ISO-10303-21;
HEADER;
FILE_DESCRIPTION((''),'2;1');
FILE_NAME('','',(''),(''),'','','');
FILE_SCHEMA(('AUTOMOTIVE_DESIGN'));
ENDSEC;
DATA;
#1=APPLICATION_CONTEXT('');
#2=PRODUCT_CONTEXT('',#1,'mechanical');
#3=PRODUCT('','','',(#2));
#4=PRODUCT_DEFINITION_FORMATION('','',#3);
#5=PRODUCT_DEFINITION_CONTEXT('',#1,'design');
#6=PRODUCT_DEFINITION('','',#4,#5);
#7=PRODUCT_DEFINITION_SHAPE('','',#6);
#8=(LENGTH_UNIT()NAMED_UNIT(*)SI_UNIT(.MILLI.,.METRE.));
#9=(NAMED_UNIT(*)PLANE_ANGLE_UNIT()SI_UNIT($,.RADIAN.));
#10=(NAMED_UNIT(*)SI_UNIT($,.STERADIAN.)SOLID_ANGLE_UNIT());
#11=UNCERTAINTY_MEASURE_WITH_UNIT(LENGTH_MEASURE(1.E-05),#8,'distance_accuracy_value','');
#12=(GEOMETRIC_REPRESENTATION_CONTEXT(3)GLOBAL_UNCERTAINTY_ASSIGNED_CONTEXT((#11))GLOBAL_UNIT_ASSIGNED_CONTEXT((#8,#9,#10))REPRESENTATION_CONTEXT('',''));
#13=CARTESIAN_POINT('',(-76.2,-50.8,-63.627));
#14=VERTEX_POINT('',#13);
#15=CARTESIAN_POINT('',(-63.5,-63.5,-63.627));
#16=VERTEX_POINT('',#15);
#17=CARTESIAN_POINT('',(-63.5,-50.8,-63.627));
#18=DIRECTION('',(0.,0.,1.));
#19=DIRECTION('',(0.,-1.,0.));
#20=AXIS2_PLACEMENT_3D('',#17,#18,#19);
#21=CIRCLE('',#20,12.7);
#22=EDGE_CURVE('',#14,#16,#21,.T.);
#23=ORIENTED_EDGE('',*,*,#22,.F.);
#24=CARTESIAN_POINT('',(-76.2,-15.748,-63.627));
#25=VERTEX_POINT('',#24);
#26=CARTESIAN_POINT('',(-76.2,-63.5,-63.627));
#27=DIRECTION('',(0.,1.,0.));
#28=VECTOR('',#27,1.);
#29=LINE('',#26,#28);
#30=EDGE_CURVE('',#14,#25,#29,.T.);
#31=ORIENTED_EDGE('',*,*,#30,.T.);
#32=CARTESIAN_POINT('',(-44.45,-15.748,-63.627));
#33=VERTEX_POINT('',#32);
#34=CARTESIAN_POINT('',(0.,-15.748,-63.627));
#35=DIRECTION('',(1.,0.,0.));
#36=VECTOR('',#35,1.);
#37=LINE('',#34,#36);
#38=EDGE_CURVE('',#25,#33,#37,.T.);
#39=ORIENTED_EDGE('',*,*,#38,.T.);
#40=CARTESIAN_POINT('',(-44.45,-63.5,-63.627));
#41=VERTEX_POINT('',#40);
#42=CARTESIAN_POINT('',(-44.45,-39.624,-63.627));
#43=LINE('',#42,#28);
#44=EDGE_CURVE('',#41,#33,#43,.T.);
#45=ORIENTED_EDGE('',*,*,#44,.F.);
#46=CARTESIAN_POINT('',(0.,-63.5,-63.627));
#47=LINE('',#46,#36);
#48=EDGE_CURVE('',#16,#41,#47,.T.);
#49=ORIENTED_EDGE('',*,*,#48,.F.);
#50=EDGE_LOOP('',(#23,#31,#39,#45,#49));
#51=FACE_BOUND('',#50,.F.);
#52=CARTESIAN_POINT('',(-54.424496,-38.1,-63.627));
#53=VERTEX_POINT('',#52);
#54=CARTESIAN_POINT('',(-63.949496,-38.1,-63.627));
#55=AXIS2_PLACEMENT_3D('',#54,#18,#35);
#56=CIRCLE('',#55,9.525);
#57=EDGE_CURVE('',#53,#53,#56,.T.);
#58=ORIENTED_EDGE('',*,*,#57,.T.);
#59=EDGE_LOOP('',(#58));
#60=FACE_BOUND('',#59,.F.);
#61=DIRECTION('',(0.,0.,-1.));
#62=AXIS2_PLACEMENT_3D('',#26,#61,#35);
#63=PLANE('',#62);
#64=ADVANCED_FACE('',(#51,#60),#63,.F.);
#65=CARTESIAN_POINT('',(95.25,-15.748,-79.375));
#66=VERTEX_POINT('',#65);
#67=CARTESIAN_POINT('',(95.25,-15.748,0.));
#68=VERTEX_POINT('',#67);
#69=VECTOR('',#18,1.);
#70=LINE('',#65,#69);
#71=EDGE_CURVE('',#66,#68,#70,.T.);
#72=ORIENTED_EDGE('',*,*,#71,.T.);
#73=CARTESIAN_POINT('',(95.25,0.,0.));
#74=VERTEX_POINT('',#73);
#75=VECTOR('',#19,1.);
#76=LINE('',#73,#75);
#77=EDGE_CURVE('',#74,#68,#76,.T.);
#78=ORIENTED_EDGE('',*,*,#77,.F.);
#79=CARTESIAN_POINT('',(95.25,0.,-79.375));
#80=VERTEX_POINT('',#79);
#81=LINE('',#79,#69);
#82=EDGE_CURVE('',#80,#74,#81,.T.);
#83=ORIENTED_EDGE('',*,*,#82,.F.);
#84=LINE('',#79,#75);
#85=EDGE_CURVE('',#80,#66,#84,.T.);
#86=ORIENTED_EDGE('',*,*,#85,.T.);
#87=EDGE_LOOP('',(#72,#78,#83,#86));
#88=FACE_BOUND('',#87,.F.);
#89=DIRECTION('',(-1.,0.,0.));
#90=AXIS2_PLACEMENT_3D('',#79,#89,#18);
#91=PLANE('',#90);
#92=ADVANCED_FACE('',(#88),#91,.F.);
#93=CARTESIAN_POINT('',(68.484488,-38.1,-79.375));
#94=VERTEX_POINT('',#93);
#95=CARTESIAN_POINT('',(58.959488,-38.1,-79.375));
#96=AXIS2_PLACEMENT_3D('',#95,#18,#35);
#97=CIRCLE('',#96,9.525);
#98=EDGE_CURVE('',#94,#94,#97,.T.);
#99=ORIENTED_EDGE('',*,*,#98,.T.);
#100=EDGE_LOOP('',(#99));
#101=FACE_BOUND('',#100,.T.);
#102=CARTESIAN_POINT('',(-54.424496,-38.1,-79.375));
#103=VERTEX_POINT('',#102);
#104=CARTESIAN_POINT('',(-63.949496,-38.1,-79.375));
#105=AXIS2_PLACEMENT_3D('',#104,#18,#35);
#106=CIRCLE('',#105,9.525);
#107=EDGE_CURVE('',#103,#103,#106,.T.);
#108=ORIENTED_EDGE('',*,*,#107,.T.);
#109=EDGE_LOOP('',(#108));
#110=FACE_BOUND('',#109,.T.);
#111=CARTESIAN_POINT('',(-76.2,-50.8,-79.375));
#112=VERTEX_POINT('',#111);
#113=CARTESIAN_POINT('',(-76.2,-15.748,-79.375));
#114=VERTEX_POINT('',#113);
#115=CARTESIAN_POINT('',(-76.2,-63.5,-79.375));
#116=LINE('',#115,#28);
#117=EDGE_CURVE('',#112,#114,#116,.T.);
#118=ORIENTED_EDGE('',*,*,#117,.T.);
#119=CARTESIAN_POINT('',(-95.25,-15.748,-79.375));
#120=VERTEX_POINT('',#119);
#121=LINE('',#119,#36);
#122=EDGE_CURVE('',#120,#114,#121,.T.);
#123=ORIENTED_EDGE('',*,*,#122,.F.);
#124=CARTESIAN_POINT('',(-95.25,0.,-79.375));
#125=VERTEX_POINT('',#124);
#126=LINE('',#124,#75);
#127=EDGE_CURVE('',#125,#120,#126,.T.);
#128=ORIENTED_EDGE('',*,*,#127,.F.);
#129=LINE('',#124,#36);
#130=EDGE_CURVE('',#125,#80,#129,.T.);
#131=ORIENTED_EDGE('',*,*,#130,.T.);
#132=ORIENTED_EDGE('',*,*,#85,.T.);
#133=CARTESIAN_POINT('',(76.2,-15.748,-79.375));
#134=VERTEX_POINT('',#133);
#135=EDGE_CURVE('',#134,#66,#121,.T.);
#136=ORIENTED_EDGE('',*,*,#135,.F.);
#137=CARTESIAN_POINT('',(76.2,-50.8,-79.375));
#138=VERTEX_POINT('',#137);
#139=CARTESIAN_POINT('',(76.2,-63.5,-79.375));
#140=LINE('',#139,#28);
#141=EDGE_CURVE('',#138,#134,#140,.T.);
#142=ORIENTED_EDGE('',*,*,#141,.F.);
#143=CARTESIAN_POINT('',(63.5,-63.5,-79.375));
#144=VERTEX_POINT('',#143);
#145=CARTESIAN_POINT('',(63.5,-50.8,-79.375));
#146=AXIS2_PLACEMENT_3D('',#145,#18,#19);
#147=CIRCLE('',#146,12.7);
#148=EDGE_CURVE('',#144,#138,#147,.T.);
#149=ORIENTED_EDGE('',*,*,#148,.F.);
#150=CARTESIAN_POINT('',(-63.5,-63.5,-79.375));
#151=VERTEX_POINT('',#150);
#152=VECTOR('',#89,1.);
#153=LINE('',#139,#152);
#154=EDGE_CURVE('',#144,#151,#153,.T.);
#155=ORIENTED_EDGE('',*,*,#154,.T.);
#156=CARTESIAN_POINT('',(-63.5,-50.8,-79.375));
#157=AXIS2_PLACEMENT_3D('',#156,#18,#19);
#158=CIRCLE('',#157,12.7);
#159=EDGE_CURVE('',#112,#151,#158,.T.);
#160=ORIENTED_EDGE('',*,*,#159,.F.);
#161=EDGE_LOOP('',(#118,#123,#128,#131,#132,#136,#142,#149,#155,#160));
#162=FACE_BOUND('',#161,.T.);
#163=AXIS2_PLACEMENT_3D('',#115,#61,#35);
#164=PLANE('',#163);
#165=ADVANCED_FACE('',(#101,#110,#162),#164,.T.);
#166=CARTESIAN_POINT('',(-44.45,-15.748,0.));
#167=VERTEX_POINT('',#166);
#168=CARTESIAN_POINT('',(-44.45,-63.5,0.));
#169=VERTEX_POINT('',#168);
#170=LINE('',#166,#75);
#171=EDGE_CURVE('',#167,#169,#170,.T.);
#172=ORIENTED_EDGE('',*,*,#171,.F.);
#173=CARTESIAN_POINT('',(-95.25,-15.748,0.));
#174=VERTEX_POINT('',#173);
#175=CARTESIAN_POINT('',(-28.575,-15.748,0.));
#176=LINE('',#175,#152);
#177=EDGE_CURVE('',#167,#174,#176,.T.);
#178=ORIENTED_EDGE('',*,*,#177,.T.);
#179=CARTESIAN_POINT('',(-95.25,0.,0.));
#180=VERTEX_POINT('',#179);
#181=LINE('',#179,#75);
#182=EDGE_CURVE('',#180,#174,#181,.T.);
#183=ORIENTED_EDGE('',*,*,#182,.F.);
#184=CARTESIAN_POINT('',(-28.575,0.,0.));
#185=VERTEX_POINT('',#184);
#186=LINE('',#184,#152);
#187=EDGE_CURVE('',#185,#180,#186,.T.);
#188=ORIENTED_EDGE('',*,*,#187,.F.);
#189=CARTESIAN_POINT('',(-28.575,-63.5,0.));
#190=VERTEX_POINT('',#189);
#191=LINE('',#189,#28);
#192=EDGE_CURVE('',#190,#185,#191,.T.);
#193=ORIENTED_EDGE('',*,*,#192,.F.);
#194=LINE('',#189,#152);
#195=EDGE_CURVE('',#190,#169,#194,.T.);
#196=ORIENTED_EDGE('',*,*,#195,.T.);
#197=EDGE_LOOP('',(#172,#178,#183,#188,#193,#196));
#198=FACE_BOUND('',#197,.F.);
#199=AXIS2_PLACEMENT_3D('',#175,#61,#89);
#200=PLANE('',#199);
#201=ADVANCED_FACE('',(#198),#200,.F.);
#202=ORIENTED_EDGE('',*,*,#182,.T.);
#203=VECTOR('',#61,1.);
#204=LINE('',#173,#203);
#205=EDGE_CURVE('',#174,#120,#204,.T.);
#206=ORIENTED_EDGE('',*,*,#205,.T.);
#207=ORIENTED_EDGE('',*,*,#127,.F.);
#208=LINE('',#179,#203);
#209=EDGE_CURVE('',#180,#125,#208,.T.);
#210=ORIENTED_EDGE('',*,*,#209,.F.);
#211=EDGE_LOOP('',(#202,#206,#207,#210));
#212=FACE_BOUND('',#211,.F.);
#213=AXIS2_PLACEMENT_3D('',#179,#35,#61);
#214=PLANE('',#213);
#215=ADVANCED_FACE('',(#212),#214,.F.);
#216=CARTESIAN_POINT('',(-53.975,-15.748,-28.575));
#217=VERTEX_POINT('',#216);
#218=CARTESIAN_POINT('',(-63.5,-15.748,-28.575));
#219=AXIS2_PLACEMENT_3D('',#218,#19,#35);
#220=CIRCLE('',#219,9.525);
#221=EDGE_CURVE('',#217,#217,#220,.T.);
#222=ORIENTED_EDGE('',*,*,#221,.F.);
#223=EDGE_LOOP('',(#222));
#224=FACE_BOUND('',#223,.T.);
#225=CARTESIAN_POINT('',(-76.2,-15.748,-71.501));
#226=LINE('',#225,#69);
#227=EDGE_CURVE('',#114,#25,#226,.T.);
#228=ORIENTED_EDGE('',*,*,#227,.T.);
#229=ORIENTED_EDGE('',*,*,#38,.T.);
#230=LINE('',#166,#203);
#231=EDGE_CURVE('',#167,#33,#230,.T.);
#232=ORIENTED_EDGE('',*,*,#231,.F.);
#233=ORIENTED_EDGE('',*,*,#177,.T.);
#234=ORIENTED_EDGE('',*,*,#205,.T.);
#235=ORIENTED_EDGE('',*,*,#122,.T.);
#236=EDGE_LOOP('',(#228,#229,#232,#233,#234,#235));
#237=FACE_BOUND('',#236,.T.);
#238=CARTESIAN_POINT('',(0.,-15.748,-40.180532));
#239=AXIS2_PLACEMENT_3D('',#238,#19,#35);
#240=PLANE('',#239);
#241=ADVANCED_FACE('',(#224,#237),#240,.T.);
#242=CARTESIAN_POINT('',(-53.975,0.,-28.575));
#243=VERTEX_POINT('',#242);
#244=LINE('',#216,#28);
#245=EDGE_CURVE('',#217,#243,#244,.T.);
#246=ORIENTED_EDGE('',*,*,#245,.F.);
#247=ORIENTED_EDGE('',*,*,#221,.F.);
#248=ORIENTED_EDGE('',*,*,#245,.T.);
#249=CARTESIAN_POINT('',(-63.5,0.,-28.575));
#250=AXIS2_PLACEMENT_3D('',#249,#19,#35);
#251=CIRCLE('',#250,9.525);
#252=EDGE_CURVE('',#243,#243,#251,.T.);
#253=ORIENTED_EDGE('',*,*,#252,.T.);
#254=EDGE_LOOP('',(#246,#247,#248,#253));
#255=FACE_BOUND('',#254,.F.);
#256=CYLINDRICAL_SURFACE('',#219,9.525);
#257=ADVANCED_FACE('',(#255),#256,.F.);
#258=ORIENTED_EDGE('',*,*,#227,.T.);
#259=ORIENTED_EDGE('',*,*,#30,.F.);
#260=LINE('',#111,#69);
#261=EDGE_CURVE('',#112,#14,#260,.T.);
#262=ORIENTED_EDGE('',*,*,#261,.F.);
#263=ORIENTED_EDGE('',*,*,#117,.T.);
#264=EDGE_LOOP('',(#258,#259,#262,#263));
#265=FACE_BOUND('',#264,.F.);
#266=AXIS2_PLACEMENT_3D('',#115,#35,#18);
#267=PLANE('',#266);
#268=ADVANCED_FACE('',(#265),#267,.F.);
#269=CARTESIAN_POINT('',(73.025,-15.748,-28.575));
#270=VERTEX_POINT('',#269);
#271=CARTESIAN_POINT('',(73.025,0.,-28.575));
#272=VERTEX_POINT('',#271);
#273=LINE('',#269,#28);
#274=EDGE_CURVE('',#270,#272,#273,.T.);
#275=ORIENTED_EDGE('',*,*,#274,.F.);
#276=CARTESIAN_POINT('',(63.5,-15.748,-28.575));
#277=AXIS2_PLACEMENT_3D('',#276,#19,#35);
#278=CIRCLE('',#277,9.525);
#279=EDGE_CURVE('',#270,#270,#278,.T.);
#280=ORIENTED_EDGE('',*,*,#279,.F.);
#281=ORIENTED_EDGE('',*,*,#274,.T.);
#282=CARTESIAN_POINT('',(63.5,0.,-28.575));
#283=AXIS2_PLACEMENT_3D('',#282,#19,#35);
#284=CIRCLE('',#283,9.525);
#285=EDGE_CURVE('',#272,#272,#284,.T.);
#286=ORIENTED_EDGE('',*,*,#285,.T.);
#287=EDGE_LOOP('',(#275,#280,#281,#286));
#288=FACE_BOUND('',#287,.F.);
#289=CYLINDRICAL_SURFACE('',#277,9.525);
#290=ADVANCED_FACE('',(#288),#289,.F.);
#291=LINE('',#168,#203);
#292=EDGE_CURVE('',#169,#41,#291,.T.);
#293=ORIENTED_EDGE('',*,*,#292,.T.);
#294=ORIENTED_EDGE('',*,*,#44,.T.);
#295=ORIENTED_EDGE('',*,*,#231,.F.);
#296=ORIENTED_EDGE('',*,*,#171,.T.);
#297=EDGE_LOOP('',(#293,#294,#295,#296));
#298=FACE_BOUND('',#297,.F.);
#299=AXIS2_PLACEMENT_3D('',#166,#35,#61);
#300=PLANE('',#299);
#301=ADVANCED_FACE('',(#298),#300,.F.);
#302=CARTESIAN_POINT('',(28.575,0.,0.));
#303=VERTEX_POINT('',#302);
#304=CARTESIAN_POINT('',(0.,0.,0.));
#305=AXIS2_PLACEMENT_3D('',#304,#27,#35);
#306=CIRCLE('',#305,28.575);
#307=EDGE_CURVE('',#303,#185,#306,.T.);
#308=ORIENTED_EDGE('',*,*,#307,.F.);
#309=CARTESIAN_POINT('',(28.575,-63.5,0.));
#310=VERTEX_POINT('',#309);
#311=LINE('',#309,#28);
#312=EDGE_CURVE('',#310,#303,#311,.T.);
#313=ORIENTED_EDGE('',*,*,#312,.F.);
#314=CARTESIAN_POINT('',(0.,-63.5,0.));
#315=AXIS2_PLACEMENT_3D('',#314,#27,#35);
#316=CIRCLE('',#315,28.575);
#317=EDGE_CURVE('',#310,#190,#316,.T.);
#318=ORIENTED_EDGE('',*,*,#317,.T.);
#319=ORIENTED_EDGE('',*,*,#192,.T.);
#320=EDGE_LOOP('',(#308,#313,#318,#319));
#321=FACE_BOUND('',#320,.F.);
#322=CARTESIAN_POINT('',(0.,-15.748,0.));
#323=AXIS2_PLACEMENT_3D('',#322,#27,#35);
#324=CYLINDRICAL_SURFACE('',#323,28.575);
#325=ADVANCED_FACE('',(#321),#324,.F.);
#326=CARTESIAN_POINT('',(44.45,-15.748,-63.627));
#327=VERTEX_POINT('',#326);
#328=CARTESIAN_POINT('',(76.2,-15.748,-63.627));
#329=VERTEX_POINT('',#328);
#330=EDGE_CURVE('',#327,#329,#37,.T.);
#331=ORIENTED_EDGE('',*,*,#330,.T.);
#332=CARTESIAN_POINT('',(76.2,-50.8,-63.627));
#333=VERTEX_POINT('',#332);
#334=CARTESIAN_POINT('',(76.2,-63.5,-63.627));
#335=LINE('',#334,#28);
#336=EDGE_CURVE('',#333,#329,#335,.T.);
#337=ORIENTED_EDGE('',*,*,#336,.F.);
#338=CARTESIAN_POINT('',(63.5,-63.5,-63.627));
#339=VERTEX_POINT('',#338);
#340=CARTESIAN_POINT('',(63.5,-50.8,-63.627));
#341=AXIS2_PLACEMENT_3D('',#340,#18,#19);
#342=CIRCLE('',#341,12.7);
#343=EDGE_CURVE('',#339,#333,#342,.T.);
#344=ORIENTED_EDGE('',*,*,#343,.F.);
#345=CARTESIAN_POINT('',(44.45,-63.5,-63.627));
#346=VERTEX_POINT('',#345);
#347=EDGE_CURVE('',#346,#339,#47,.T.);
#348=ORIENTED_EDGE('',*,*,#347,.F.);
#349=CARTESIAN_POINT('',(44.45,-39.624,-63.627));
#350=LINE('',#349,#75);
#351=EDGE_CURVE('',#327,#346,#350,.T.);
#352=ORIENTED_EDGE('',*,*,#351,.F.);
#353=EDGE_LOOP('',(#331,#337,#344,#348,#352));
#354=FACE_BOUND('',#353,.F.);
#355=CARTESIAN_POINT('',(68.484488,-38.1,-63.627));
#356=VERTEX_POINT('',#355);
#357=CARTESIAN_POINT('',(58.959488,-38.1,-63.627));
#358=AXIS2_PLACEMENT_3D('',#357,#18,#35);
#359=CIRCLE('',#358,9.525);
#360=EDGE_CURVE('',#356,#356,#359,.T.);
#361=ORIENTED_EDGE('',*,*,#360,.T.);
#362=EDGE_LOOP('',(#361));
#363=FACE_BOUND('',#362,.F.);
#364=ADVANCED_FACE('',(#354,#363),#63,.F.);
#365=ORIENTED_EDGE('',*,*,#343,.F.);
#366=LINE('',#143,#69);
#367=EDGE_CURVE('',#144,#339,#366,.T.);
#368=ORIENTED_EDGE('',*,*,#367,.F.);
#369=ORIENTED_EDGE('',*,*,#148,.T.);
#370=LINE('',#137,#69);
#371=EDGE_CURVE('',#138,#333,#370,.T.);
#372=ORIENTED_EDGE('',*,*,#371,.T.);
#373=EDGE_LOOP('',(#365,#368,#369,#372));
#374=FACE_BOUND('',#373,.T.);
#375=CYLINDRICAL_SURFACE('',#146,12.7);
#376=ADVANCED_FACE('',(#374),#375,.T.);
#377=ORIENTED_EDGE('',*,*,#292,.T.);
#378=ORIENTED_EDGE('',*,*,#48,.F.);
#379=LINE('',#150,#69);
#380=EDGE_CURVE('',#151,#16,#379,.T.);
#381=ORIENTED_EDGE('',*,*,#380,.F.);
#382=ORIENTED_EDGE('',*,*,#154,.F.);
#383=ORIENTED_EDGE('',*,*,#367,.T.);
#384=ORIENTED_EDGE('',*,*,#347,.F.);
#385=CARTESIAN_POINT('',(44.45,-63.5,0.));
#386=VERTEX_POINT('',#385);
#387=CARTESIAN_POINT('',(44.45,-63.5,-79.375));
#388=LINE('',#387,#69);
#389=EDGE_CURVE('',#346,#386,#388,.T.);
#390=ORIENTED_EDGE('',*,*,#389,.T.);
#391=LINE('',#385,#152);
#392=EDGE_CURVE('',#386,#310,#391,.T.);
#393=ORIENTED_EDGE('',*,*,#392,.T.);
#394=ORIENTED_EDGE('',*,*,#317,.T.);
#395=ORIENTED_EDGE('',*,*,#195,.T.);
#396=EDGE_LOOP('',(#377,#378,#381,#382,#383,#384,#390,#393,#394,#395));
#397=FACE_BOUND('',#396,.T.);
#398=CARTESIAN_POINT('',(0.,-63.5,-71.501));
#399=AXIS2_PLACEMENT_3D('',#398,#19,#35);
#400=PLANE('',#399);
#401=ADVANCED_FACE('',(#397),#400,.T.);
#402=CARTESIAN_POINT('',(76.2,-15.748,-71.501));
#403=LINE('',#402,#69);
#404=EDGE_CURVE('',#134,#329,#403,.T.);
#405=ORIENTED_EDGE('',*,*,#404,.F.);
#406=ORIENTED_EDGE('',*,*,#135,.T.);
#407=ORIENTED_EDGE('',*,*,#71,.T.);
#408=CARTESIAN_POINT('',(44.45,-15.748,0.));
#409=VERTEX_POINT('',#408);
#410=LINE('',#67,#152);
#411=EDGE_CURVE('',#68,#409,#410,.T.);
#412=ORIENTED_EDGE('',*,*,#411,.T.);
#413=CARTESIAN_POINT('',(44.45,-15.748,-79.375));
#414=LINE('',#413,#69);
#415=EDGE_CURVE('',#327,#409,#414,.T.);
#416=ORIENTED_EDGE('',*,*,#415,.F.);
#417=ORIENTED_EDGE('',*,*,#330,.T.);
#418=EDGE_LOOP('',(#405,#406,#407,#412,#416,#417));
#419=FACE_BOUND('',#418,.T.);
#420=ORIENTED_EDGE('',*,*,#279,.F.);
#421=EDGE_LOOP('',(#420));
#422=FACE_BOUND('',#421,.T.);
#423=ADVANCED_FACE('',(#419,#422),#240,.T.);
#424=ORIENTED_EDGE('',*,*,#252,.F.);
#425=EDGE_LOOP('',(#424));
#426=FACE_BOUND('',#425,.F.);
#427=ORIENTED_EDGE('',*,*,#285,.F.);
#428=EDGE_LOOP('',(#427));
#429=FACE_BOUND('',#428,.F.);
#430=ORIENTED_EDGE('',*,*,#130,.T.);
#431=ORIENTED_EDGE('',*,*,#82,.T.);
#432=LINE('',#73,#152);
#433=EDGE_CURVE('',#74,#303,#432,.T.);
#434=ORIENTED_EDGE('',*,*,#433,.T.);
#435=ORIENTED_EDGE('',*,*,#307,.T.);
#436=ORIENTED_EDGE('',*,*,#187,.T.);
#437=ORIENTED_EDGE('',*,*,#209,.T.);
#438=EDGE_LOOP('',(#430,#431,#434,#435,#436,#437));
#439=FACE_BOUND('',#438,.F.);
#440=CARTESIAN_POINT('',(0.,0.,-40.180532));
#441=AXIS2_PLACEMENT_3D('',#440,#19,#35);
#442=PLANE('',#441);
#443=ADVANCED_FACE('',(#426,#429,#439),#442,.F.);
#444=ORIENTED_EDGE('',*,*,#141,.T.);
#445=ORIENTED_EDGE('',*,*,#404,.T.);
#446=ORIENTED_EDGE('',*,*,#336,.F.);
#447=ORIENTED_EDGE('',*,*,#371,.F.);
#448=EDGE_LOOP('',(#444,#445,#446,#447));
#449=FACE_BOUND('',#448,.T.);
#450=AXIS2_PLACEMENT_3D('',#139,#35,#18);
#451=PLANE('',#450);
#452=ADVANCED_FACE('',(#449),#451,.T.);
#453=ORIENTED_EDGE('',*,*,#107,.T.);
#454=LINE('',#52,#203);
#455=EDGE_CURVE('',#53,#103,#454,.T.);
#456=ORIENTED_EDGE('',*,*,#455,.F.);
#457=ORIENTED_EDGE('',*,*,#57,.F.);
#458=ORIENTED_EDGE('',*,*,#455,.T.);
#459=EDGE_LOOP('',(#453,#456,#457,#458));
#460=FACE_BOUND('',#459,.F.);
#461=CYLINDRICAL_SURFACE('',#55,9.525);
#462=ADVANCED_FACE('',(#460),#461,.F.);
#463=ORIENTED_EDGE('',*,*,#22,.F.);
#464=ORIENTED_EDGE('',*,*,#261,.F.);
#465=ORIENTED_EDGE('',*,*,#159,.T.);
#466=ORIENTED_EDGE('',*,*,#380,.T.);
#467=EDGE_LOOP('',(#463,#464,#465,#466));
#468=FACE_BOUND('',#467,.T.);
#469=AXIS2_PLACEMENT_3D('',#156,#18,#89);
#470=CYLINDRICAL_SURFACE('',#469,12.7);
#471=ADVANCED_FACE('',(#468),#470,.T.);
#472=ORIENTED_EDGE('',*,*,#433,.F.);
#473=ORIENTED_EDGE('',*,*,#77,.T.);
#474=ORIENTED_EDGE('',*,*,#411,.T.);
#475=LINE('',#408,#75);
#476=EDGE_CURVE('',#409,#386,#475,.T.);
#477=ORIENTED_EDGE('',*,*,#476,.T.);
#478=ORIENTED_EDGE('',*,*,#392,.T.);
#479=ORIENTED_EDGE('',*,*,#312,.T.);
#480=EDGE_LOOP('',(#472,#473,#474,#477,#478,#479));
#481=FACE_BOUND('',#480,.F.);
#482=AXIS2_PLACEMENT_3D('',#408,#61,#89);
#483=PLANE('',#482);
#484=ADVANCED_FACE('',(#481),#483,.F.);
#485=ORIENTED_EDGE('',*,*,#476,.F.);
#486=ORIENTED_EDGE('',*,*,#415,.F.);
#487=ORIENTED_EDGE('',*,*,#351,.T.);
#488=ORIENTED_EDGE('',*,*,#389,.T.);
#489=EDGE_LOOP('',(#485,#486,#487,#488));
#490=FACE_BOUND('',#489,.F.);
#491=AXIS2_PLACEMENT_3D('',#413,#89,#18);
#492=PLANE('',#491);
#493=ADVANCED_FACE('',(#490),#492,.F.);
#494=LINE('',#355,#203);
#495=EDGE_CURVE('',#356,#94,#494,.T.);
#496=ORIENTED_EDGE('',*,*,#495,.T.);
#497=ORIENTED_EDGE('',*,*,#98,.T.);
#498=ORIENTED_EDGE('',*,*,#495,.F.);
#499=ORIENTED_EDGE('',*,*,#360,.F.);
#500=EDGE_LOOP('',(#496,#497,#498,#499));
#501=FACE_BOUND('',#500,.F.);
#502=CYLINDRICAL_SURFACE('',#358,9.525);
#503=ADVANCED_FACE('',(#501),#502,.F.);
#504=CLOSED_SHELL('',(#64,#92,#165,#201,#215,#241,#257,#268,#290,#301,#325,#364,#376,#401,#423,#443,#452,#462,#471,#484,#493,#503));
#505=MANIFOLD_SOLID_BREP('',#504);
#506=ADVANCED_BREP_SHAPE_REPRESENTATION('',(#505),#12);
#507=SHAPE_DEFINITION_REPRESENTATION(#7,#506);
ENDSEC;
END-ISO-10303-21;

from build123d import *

# Parameters (mm, degrees)
F1_DEPTH  = 15.748
F3_DEPTH  = 47.752
F4_W      = 152.4
F4_H      = 15.748
F5_DEPTH  = 47.752
F6_R      = 9.525
F7_DEPTH  = 15.749
F8_R      = 12.7
F9_R      = 9.525
F10_DEPTH = 15.749
F11_R     = 9.525
F12_DEPTH = 15.749
F13_DEPTH = 25.4


with BuildPart() as f1:
    # F0 (on Front) → F1 (new body)
    with BuildSketch(Plane.XZ):
        with BuildLine():
            Line((-28.575, 0), (-95.25, 0))
            Line((-95.25, 0), (-95.25, -79.375))
            Line((-95.25, -79.375), (95.25, -79.375))
            Line((95.25, -79.375), (95.25, 0))
            Line((95.25, 0), (28.575, 0))
            ThreePointArc((28.575, 0), (0, -28.575), (-28.575, 0))
        make_face()
    extrude(amount=F1_DEPTH)

    # F2 (on face) → F3 (join)
    with BuildSketch(Plane.XZ.offset(15.748)):
        with BuildLine():
            Line((-28.575, 0), (-44.45, 0))
            Line((-44.45, 0), (-44.45, -79.375))
            Line((-44.45, -79.375), (44.45, -79.375))
            Line((44.45, -79.375), (44.45, 0))
            Line((44.45, 0), (28.575, 0))
            ThreePointArc((28.575, 0), (0, -28.575), (-28.575, 0))
        make_face()
    extrude(amount=F3_DEPTH)

    # F4 (on face) → F5 (join, through all)
    with BuildSketch(Plane.XZ.offset(63.5)):
        with Locations((0, -71.501)):
            Rectangle(F4_W, F4_H)
    extrude(amount=-F5_DEPTH)

    # F6 (on face) → F7 (cut, through all)
    with BuildSketch(Plane.XY.offset(-63.627)):
        with Locations((58.959488, -38.1)):
            Circle(F6_R)
    extrude(amount=-F7_DEPTH, mode=Mode.SUBTRACT)

    # F8
    f8_edges = [f1.edges().sort_by_distance(p)[0] for p in [
        (76.2, -63.5, -71.501),
        (-76.2, -63.5, -71.501),
    ]]
    fillet(f8_edges, radius=F8_R)

    # F9 (on face) → F10 (cut, through all)
    with BuildSketch(Plane.XY.offset(-63.627)):
        with Locations((-63.949496, -38.1)):
            Circle(F9_R)
    extrude(amount=-F10_DEPTH, mode=Mode.SUBTRACT)

    # F11 (on face) → F12 (cut, through all)
    with BuildSketch(Plane.XZ.offset(15.748)):
        with Locations((-63.5, -28.575)):
            Circle(F11_R)
        with Locations((63.5, -28.575)):
            Circle(F11_R)
    extrude(amount=-F12_DEPTH, mode=Mode.SUBTRACT)

    # F11 (on face) → F13 (cut)
    with BuildSketch(Plane.XZ.offset(15.748)):
        with Locations((-63.5, -28.575)):
            Circle(F11_R)
        with Locations((63.5, -28.575)):
            Circle(F11_R)
    extrude(amount=-F13_DEPTH, mode=Mode.SUBTRACT)


solid = f1.part
